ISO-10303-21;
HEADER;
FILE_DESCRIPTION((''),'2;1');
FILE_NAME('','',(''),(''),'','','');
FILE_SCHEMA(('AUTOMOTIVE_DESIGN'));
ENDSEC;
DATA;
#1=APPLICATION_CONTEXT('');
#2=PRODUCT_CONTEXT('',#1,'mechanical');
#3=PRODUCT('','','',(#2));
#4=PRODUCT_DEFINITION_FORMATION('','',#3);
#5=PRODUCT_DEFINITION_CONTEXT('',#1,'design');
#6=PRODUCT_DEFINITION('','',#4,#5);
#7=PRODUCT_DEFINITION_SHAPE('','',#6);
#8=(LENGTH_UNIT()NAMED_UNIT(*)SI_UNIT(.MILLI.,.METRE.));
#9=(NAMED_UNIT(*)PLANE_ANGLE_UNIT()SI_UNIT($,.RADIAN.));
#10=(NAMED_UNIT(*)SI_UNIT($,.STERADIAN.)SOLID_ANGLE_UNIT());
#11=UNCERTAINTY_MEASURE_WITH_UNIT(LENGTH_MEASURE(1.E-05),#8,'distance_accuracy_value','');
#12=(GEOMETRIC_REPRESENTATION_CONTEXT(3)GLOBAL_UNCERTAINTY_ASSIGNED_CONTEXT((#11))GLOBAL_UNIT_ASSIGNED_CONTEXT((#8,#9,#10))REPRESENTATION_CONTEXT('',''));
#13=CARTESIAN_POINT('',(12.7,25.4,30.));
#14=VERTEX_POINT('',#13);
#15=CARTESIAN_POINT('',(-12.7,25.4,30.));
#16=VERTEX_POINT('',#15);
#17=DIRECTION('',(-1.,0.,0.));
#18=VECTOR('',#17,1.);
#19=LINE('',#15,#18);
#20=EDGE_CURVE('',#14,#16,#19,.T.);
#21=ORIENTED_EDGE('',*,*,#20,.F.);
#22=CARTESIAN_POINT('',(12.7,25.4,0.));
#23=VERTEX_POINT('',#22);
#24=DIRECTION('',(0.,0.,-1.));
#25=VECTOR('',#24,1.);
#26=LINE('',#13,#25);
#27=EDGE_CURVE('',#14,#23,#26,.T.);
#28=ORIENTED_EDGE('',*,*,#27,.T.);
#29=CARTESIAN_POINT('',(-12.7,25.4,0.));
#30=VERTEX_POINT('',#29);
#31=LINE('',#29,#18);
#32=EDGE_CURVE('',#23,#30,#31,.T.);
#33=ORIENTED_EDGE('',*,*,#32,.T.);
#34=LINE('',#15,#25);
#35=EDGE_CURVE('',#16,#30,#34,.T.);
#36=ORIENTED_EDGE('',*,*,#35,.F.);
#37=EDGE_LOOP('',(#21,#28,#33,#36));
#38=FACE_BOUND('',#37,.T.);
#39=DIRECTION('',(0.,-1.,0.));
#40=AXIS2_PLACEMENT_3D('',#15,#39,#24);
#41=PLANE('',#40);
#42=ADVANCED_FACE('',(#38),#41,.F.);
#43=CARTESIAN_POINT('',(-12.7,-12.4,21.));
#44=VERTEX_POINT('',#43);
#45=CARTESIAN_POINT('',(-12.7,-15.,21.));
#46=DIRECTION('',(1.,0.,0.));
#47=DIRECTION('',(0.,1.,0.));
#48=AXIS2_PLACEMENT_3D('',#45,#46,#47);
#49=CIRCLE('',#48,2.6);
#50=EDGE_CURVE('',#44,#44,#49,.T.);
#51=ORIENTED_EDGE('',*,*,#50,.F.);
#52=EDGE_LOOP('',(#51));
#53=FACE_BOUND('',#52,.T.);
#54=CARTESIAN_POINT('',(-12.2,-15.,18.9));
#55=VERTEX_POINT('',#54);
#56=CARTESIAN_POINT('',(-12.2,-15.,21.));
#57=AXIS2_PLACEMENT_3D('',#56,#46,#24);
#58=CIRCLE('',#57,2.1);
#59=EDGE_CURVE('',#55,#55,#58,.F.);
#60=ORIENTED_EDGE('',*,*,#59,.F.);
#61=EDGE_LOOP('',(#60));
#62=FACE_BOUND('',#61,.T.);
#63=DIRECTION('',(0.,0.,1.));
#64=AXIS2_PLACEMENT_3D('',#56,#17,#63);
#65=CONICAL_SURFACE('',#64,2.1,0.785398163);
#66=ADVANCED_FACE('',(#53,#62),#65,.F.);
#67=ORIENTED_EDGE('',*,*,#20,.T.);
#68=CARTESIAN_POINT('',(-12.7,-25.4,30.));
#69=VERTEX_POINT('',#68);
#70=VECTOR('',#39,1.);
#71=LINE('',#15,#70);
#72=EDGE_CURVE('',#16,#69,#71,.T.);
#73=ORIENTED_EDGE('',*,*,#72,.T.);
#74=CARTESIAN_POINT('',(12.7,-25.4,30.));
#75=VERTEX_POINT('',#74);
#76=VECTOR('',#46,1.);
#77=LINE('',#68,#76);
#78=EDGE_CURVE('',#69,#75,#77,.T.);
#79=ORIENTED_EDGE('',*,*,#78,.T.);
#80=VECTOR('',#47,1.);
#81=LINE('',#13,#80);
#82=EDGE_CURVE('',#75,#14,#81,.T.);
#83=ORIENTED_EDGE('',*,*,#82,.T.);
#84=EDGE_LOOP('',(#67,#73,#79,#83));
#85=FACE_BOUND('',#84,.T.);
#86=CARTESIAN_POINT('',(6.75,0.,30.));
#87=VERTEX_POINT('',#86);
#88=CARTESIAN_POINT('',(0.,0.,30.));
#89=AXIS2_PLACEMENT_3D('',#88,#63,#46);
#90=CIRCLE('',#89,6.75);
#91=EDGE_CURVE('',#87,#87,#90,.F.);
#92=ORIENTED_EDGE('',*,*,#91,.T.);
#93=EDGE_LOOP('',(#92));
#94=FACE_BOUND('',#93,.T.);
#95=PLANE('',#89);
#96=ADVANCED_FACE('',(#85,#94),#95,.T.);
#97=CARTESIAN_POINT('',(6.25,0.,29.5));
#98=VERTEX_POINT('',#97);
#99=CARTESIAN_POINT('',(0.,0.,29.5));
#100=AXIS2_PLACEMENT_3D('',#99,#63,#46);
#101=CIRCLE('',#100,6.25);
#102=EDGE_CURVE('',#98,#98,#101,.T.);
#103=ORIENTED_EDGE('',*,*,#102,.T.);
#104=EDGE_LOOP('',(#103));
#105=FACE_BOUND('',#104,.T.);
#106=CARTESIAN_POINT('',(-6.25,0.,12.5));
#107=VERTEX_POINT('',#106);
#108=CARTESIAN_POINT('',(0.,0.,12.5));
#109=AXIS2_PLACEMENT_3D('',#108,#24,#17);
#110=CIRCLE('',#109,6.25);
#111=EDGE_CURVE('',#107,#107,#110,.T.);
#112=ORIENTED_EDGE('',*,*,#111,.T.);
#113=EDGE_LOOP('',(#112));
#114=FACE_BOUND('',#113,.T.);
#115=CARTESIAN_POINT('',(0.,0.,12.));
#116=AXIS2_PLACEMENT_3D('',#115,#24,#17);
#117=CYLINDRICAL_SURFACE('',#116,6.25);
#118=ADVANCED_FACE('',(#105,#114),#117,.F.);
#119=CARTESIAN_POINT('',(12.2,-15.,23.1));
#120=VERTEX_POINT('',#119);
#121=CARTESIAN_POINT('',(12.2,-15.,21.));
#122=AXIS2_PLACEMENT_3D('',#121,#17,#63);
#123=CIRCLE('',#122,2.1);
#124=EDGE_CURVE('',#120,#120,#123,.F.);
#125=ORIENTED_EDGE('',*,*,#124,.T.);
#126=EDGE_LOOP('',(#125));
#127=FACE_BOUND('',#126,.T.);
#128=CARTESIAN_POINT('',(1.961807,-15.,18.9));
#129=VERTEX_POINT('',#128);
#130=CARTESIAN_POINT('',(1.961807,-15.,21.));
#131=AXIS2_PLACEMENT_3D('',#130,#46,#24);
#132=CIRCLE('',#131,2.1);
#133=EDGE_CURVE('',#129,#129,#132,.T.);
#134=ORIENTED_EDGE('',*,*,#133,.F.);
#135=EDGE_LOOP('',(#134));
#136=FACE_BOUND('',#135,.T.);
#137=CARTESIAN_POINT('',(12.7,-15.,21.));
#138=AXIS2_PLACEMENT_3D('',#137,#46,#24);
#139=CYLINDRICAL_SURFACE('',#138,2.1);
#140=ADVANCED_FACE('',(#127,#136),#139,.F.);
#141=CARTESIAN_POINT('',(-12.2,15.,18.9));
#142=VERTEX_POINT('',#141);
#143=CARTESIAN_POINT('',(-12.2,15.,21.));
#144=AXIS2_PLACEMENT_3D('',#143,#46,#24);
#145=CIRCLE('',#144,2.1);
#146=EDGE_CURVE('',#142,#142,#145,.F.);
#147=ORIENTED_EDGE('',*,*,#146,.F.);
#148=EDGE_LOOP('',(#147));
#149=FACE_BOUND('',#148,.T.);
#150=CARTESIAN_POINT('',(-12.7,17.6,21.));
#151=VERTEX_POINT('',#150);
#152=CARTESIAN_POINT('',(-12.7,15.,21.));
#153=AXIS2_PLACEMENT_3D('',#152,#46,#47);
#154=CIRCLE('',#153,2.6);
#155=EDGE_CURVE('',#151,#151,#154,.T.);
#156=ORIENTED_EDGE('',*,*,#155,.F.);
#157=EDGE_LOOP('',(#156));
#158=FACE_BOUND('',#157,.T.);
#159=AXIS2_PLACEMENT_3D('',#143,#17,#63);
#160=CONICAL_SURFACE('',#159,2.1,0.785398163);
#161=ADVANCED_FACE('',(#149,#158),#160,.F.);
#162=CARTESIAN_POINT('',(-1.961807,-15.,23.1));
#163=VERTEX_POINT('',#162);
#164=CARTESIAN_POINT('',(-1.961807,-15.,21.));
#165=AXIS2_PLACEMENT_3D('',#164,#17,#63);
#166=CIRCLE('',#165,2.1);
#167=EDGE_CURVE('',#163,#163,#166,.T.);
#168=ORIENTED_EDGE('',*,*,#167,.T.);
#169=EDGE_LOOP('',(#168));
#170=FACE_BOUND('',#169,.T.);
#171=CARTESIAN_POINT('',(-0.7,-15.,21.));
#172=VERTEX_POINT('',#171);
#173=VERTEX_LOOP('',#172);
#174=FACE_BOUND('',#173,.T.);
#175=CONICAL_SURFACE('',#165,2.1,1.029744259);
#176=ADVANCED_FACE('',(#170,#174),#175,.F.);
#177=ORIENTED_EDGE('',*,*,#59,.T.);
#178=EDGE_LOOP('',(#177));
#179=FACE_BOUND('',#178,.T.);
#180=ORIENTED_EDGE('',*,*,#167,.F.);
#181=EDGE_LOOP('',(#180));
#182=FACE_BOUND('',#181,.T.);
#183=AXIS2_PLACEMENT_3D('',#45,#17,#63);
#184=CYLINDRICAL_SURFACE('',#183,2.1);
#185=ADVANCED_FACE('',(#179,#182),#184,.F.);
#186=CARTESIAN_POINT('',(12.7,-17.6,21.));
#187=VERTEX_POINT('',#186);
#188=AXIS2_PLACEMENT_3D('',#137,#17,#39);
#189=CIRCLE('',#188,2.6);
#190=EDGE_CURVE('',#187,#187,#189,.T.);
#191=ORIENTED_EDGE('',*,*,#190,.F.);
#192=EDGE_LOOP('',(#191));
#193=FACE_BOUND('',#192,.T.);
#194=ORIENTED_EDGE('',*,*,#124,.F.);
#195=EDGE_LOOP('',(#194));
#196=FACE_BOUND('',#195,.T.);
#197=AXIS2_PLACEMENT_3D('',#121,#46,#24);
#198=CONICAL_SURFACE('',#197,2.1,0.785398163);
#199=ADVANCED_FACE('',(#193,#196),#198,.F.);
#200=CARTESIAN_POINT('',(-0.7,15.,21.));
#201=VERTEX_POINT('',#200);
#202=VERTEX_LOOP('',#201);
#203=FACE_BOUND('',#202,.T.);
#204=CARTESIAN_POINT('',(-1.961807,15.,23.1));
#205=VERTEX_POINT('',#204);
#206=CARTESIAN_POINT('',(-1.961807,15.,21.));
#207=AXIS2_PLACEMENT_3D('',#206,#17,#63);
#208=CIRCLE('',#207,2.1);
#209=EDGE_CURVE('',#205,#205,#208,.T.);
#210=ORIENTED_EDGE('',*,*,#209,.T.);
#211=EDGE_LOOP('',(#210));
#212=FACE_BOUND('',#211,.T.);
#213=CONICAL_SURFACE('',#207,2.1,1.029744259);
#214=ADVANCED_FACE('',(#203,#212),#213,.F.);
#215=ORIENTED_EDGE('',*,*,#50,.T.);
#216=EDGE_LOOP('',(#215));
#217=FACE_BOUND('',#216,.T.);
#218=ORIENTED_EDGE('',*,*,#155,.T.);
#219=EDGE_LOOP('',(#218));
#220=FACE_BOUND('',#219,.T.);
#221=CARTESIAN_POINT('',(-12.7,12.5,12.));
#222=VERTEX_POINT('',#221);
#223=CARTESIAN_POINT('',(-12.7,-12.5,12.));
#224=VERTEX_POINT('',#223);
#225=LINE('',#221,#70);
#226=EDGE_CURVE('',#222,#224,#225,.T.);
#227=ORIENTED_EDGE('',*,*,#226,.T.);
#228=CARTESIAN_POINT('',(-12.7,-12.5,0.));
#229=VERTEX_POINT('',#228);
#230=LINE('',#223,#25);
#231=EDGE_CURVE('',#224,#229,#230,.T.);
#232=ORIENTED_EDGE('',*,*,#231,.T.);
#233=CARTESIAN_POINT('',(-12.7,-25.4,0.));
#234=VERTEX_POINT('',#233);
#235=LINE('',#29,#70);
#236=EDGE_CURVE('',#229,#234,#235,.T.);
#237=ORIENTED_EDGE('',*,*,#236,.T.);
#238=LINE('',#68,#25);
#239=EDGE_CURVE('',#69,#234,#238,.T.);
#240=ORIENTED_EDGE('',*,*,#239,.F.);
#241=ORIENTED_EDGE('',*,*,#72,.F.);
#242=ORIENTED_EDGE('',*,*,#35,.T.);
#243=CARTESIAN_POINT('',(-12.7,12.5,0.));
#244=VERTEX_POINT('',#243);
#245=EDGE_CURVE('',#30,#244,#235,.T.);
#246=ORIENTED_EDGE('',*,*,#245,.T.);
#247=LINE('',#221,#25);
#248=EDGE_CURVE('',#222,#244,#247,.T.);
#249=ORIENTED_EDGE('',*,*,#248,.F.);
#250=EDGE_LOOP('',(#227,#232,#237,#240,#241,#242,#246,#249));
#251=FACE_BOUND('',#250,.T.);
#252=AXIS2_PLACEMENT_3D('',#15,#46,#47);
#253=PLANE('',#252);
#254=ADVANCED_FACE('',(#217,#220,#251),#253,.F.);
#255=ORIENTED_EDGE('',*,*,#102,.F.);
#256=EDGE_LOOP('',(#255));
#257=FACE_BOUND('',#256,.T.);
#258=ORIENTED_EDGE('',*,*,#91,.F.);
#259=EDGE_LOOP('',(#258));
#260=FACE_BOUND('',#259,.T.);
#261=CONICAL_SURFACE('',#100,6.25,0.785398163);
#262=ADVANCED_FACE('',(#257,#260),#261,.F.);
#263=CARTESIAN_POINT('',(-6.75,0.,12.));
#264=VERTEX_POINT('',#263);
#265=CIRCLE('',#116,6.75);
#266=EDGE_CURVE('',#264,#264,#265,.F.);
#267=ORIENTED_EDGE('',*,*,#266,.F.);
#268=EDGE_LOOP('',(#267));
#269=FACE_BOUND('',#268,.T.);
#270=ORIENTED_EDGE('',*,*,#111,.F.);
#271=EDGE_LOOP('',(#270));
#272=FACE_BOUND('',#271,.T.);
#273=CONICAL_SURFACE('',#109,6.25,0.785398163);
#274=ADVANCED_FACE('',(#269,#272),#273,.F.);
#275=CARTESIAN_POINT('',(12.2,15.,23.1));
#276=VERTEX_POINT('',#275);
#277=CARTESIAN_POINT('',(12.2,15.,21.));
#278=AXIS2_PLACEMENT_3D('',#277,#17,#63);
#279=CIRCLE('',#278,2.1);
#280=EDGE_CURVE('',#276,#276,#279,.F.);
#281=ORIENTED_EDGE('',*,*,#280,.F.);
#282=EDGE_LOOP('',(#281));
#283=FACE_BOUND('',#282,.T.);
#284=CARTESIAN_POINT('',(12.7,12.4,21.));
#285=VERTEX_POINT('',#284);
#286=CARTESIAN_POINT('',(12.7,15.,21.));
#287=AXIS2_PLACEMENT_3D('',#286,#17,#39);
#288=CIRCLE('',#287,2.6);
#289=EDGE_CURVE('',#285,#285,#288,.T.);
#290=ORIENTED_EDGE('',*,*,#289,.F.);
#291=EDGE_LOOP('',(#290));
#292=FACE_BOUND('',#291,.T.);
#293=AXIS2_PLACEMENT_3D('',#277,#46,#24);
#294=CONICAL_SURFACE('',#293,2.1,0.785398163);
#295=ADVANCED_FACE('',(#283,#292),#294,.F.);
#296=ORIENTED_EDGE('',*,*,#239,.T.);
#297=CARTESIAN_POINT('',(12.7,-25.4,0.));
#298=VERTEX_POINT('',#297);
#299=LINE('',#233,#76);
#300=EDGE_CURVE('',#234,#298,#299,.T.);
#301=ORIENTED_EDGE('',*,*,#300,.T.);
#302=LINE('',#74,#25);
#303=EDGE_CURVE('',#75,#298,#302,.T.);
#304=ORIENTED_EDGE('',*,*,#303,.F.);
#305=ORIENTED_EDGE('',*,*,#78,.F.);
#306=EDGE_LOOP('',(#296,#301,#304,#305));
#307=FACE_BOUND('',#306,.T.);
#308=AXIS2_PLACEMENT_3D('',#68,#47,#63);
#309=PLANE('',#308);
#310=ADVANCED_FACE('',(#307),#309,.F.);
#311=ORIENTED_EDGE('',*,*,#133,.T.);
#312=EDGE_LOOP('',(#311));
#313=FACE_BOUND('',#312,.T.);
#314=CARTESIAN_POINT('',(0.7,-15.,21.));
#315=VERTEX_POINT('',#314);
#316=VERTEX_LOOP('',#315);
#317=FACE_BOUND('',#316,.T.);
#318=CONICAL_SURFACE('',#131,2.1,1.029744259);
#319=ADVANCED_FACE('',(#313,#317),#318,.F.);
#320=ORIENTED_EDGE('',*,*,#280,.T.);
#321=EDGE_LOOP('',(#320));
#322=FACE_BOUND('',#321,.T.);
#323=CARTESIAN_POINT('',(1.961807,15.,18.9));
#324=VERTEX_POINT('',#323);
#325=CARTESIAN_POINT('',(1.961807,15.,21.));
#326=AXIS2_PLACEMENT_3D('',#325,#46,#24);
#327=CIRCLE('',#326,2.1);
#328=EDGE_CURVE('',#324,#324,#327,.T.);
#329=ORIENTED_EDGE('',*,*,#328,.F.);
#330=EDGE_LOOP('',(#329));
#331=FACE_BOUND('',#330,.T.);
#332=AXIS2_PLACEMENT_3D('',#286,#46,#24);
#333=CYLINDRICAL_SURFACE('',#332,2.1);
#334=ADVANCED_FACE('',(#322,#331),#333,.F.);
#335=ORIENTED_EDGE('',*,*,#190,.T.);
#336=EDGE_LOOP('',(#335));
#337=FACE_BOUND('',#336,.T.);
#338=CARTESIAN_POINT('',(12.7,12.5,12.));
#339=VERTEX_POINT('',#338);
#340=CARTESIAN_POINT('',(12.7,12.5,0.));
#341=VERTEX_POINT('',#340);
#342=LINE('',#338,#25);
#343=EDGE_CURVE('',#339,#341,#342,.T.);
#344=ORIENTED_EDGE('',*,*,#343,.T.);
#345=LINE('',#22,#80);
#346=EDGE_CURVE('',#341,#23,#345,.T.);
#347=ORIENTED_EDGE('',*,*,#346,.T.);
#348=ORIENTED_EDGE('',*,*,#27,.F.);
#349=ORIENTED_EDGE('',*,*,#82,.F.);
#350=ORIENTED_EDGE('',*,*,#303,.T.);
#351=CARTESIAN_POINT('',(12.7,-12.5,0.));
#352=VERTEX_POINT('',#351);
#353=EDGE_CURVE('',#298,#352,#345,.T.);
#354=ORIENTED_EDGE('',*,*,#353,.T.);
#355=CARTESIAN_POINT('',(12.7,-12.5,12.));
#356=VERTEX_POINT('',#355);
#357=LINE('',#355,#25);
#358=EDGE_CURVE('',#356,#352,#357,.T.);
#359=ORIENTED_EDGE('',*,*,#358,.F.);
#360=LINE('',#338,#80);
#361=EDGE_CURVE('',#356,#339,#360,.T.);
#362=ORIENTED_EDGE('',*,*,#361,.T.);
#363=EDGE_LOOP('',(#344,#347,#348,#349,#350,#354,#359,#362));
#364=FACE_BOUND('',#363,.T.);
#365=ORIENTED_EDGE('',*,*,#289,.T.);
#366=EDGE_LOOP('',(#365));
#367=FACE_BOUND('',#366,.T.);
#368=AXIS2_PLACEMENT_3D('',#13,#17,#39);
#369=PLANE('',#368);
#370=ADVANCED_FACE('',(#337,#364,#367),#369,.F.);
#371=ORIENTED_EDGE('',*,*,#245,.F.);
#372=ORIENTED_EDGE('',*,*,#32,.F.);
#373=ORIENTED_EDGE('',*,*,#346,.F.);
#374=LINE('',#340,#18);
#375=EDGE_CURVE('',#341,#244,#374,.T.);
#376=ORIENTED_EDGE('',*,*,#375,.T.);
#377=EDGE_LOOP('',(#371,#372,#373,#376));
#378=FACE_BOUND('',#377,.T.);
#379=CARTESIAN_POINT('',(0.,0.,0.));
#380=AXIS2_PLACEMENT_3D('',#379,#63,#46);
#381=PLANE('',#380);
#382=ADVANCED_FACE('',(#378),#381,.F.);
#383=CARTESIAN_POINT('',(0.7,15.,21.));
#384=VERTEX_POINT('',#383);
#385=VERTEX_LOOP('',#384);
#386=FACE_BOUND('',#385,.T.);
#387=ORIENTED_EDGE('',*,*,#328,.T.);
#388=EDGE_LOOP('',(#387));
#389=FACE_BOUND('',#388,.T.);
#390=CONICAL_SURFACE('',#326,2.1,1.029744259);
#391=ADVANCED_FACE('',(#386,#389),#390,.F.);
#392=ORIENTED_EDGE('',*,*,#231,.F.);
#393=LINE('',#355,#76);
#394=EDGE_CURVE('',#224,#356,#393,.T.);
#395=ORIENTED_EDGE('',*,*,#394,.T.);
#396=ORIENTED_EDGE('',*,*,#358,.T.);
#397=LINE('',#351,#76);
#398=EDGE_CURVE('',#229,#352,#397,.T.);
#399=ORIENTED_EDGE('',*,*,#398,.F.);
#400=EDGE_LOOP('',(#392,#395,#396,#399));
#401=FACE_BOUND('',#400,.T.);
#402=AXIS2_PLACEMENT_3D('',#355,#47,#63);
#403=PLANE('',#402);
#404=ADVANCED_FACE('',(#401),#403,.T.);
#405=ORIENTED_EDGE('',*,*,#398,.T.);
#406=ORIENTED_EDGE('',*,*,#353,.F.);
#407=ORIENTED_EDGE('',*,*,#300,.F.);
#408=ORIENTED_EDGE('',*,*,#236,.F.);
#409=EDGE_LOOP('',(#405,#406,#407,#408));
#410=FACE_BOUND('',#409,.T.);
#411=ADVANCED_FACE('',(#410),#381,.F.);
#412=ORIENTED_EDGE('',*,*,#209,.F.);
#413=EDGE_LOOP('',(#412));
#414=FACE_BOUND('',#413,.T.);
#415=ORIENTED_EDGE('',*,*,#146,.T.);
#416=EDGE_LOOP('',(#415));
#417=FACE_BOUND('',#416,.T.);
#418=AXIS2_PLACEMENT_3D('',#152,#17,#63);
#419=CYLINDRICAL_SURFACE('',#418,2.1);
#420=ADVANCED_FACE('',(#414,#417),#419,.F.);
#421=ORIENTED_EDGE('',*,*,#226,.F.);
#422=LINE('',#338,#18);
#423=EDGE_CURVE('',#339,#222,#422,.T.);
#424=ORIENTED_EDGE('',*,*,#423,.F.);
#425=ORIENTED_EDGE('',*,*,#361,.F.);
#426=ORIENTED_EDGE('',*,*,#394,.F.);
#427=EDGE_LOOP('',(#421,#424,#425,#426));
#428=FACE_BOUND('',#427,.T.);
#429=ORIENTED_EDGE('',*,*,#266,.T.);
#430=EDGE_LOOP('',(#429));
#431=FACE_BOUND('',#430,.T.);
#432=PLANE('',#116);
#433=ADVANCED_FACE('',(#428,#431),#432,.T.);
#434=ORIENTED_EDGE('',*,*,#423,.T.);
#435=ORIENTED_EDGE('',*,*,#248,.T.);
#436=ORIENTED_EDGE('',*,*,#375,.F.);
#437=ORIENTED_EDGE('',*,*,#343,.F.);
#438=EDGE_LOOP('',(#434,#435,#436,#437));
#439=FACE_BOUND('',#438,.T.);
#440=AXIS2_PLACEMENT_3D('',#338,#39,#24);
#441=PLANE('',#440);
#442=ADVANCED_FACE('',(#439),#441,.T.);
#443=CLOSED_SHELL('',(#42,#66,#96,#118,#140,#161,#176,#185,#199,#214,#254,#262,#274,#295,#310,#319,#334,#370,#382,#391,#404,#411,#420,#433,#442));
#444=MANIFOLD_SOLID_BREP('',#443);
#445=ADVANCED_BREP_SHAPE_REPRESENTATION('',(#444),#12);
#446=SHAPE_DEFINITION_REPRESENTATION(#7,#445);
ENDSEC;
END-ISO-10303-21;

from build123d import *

# Parameters (mm, degrees)
SKETCH1_W                      = 25.4
SKETCH1_H                      = 50.8
BOSS_EXTRUDE1_DEPTH            = 30
SKETCH2_W                      = 25.4
SKETCH2_H                      = 25
CUT_EXTRUDE1_DEPTH             = 12
M12_CLEARANCE_HOLE1_D          = 12.5
M5X0_8_TAPPED_HOLE1_AT_2_COUNT = 2
M5X0_8_TAPPED_HOLE1_AT_2_PITCH = 30
CHAMFER1_0_5_MM_SIZE           = 0.5


with BuildPart() as part:
    # Sketch1 → Boss-Extrude1 (new body)
    with BuildSketch(Plane.XY):
        Rectangle(SKETCH1_W, SKETCH1_H)
    extrude(amount=BOSS_EXTRUDE1_DEPTH)

    # Sketch2 → Cut-Extrude1 (cut)
    with BuildSketch(Plane.XY):
        Rectangle(SKETCH2_W, SKETCH2_H)
    extrude(amount=CUT_EXTRUDE1_DEPTH, mode=Mode.SUBTRACT)

    # M12 Clearance Hole1 (through all)
    with Locations(Plane(origin=(0, 0, 12), x_dir=(-1, 0, 0), z_dir=(0, 0, -1))):
        with Locations((0, 0)):
            Hole(M12_CLEARANCE_HOLE1_D / 2)

    # Sketch11 → M5x0.8 Tapped Hole1 (revolve, cut)
    with BuildSketch(Plane(origin=(12.7, 15, 21), x_dir=(0, 0, -1), z_dir=(0, 1, 0))):
        Polygon((0, 0), (0, 12), (2.1, 10.7381927), (2.1, 0), align=None)
    m5x0_8_tapped_hole1 = revolve(axis=Axis((19.05, 15, 21), (-1, 0, 0)), mode=Mode.SUBTRACT)

    # M5x0.8 Tapped Hole1 at 2: M5x0.8 Tapped Hole1 ×2
    with Locations(*[(0, -i * M5X0_8_TAPPED_HOLE1_AT_2_PITCH, 0) for i in range(1, M5X0_8_TAPPED_HOLE1_AT_2_COUNT)]):
        add(m5x0_8_tapped_hole1, mode=Mode.SUBTRACT)

    # Mirror1: M5x0.8 Tapped Hole1 across plane
    add(m5x0_8_tapped_hole1.mirror(Plane(origin=(0, 0, 0), x_dir=(0, 0, 1), z_dir=(1, 0, 0))), mode=Mode.SUBTRACT)

    # Mirror1 copy 1 sketch → Mirror1 copy 1 (revolve, cut)
    with BuildSketch(Plane(origin=(-12.7, -15, 21), x_dir=(0, 0, -1), z_dir=(0, 1, 0))):
        Polygon((0, 0), (0, -12), (2.1, -10.7381927), (2.1, 0), align=None)
    revolve(axis=Axis((-19.05, -15, 21), (-1, 0, 0)), mode=Mode.SUBTRACT)

    # Chamfer1 0.5 mm
    chamfer1_0_5_mm_edges = [part.edges().sort_by_distance(p)[0] for p in [
        (-6.25, 0, 12),
        (-6.25, 0, 30),
        (12.7, -15, 23.1),
        (12.7, 15, 23.1),
        (-12.7, -15, 23.1),
        (-12.7, 15, 23.1),
    ]]
    chamfer(chamfer1_0_5_mm_edges, length=CHAMFER1_0_5_MM_SIZE)


solid = part.part
